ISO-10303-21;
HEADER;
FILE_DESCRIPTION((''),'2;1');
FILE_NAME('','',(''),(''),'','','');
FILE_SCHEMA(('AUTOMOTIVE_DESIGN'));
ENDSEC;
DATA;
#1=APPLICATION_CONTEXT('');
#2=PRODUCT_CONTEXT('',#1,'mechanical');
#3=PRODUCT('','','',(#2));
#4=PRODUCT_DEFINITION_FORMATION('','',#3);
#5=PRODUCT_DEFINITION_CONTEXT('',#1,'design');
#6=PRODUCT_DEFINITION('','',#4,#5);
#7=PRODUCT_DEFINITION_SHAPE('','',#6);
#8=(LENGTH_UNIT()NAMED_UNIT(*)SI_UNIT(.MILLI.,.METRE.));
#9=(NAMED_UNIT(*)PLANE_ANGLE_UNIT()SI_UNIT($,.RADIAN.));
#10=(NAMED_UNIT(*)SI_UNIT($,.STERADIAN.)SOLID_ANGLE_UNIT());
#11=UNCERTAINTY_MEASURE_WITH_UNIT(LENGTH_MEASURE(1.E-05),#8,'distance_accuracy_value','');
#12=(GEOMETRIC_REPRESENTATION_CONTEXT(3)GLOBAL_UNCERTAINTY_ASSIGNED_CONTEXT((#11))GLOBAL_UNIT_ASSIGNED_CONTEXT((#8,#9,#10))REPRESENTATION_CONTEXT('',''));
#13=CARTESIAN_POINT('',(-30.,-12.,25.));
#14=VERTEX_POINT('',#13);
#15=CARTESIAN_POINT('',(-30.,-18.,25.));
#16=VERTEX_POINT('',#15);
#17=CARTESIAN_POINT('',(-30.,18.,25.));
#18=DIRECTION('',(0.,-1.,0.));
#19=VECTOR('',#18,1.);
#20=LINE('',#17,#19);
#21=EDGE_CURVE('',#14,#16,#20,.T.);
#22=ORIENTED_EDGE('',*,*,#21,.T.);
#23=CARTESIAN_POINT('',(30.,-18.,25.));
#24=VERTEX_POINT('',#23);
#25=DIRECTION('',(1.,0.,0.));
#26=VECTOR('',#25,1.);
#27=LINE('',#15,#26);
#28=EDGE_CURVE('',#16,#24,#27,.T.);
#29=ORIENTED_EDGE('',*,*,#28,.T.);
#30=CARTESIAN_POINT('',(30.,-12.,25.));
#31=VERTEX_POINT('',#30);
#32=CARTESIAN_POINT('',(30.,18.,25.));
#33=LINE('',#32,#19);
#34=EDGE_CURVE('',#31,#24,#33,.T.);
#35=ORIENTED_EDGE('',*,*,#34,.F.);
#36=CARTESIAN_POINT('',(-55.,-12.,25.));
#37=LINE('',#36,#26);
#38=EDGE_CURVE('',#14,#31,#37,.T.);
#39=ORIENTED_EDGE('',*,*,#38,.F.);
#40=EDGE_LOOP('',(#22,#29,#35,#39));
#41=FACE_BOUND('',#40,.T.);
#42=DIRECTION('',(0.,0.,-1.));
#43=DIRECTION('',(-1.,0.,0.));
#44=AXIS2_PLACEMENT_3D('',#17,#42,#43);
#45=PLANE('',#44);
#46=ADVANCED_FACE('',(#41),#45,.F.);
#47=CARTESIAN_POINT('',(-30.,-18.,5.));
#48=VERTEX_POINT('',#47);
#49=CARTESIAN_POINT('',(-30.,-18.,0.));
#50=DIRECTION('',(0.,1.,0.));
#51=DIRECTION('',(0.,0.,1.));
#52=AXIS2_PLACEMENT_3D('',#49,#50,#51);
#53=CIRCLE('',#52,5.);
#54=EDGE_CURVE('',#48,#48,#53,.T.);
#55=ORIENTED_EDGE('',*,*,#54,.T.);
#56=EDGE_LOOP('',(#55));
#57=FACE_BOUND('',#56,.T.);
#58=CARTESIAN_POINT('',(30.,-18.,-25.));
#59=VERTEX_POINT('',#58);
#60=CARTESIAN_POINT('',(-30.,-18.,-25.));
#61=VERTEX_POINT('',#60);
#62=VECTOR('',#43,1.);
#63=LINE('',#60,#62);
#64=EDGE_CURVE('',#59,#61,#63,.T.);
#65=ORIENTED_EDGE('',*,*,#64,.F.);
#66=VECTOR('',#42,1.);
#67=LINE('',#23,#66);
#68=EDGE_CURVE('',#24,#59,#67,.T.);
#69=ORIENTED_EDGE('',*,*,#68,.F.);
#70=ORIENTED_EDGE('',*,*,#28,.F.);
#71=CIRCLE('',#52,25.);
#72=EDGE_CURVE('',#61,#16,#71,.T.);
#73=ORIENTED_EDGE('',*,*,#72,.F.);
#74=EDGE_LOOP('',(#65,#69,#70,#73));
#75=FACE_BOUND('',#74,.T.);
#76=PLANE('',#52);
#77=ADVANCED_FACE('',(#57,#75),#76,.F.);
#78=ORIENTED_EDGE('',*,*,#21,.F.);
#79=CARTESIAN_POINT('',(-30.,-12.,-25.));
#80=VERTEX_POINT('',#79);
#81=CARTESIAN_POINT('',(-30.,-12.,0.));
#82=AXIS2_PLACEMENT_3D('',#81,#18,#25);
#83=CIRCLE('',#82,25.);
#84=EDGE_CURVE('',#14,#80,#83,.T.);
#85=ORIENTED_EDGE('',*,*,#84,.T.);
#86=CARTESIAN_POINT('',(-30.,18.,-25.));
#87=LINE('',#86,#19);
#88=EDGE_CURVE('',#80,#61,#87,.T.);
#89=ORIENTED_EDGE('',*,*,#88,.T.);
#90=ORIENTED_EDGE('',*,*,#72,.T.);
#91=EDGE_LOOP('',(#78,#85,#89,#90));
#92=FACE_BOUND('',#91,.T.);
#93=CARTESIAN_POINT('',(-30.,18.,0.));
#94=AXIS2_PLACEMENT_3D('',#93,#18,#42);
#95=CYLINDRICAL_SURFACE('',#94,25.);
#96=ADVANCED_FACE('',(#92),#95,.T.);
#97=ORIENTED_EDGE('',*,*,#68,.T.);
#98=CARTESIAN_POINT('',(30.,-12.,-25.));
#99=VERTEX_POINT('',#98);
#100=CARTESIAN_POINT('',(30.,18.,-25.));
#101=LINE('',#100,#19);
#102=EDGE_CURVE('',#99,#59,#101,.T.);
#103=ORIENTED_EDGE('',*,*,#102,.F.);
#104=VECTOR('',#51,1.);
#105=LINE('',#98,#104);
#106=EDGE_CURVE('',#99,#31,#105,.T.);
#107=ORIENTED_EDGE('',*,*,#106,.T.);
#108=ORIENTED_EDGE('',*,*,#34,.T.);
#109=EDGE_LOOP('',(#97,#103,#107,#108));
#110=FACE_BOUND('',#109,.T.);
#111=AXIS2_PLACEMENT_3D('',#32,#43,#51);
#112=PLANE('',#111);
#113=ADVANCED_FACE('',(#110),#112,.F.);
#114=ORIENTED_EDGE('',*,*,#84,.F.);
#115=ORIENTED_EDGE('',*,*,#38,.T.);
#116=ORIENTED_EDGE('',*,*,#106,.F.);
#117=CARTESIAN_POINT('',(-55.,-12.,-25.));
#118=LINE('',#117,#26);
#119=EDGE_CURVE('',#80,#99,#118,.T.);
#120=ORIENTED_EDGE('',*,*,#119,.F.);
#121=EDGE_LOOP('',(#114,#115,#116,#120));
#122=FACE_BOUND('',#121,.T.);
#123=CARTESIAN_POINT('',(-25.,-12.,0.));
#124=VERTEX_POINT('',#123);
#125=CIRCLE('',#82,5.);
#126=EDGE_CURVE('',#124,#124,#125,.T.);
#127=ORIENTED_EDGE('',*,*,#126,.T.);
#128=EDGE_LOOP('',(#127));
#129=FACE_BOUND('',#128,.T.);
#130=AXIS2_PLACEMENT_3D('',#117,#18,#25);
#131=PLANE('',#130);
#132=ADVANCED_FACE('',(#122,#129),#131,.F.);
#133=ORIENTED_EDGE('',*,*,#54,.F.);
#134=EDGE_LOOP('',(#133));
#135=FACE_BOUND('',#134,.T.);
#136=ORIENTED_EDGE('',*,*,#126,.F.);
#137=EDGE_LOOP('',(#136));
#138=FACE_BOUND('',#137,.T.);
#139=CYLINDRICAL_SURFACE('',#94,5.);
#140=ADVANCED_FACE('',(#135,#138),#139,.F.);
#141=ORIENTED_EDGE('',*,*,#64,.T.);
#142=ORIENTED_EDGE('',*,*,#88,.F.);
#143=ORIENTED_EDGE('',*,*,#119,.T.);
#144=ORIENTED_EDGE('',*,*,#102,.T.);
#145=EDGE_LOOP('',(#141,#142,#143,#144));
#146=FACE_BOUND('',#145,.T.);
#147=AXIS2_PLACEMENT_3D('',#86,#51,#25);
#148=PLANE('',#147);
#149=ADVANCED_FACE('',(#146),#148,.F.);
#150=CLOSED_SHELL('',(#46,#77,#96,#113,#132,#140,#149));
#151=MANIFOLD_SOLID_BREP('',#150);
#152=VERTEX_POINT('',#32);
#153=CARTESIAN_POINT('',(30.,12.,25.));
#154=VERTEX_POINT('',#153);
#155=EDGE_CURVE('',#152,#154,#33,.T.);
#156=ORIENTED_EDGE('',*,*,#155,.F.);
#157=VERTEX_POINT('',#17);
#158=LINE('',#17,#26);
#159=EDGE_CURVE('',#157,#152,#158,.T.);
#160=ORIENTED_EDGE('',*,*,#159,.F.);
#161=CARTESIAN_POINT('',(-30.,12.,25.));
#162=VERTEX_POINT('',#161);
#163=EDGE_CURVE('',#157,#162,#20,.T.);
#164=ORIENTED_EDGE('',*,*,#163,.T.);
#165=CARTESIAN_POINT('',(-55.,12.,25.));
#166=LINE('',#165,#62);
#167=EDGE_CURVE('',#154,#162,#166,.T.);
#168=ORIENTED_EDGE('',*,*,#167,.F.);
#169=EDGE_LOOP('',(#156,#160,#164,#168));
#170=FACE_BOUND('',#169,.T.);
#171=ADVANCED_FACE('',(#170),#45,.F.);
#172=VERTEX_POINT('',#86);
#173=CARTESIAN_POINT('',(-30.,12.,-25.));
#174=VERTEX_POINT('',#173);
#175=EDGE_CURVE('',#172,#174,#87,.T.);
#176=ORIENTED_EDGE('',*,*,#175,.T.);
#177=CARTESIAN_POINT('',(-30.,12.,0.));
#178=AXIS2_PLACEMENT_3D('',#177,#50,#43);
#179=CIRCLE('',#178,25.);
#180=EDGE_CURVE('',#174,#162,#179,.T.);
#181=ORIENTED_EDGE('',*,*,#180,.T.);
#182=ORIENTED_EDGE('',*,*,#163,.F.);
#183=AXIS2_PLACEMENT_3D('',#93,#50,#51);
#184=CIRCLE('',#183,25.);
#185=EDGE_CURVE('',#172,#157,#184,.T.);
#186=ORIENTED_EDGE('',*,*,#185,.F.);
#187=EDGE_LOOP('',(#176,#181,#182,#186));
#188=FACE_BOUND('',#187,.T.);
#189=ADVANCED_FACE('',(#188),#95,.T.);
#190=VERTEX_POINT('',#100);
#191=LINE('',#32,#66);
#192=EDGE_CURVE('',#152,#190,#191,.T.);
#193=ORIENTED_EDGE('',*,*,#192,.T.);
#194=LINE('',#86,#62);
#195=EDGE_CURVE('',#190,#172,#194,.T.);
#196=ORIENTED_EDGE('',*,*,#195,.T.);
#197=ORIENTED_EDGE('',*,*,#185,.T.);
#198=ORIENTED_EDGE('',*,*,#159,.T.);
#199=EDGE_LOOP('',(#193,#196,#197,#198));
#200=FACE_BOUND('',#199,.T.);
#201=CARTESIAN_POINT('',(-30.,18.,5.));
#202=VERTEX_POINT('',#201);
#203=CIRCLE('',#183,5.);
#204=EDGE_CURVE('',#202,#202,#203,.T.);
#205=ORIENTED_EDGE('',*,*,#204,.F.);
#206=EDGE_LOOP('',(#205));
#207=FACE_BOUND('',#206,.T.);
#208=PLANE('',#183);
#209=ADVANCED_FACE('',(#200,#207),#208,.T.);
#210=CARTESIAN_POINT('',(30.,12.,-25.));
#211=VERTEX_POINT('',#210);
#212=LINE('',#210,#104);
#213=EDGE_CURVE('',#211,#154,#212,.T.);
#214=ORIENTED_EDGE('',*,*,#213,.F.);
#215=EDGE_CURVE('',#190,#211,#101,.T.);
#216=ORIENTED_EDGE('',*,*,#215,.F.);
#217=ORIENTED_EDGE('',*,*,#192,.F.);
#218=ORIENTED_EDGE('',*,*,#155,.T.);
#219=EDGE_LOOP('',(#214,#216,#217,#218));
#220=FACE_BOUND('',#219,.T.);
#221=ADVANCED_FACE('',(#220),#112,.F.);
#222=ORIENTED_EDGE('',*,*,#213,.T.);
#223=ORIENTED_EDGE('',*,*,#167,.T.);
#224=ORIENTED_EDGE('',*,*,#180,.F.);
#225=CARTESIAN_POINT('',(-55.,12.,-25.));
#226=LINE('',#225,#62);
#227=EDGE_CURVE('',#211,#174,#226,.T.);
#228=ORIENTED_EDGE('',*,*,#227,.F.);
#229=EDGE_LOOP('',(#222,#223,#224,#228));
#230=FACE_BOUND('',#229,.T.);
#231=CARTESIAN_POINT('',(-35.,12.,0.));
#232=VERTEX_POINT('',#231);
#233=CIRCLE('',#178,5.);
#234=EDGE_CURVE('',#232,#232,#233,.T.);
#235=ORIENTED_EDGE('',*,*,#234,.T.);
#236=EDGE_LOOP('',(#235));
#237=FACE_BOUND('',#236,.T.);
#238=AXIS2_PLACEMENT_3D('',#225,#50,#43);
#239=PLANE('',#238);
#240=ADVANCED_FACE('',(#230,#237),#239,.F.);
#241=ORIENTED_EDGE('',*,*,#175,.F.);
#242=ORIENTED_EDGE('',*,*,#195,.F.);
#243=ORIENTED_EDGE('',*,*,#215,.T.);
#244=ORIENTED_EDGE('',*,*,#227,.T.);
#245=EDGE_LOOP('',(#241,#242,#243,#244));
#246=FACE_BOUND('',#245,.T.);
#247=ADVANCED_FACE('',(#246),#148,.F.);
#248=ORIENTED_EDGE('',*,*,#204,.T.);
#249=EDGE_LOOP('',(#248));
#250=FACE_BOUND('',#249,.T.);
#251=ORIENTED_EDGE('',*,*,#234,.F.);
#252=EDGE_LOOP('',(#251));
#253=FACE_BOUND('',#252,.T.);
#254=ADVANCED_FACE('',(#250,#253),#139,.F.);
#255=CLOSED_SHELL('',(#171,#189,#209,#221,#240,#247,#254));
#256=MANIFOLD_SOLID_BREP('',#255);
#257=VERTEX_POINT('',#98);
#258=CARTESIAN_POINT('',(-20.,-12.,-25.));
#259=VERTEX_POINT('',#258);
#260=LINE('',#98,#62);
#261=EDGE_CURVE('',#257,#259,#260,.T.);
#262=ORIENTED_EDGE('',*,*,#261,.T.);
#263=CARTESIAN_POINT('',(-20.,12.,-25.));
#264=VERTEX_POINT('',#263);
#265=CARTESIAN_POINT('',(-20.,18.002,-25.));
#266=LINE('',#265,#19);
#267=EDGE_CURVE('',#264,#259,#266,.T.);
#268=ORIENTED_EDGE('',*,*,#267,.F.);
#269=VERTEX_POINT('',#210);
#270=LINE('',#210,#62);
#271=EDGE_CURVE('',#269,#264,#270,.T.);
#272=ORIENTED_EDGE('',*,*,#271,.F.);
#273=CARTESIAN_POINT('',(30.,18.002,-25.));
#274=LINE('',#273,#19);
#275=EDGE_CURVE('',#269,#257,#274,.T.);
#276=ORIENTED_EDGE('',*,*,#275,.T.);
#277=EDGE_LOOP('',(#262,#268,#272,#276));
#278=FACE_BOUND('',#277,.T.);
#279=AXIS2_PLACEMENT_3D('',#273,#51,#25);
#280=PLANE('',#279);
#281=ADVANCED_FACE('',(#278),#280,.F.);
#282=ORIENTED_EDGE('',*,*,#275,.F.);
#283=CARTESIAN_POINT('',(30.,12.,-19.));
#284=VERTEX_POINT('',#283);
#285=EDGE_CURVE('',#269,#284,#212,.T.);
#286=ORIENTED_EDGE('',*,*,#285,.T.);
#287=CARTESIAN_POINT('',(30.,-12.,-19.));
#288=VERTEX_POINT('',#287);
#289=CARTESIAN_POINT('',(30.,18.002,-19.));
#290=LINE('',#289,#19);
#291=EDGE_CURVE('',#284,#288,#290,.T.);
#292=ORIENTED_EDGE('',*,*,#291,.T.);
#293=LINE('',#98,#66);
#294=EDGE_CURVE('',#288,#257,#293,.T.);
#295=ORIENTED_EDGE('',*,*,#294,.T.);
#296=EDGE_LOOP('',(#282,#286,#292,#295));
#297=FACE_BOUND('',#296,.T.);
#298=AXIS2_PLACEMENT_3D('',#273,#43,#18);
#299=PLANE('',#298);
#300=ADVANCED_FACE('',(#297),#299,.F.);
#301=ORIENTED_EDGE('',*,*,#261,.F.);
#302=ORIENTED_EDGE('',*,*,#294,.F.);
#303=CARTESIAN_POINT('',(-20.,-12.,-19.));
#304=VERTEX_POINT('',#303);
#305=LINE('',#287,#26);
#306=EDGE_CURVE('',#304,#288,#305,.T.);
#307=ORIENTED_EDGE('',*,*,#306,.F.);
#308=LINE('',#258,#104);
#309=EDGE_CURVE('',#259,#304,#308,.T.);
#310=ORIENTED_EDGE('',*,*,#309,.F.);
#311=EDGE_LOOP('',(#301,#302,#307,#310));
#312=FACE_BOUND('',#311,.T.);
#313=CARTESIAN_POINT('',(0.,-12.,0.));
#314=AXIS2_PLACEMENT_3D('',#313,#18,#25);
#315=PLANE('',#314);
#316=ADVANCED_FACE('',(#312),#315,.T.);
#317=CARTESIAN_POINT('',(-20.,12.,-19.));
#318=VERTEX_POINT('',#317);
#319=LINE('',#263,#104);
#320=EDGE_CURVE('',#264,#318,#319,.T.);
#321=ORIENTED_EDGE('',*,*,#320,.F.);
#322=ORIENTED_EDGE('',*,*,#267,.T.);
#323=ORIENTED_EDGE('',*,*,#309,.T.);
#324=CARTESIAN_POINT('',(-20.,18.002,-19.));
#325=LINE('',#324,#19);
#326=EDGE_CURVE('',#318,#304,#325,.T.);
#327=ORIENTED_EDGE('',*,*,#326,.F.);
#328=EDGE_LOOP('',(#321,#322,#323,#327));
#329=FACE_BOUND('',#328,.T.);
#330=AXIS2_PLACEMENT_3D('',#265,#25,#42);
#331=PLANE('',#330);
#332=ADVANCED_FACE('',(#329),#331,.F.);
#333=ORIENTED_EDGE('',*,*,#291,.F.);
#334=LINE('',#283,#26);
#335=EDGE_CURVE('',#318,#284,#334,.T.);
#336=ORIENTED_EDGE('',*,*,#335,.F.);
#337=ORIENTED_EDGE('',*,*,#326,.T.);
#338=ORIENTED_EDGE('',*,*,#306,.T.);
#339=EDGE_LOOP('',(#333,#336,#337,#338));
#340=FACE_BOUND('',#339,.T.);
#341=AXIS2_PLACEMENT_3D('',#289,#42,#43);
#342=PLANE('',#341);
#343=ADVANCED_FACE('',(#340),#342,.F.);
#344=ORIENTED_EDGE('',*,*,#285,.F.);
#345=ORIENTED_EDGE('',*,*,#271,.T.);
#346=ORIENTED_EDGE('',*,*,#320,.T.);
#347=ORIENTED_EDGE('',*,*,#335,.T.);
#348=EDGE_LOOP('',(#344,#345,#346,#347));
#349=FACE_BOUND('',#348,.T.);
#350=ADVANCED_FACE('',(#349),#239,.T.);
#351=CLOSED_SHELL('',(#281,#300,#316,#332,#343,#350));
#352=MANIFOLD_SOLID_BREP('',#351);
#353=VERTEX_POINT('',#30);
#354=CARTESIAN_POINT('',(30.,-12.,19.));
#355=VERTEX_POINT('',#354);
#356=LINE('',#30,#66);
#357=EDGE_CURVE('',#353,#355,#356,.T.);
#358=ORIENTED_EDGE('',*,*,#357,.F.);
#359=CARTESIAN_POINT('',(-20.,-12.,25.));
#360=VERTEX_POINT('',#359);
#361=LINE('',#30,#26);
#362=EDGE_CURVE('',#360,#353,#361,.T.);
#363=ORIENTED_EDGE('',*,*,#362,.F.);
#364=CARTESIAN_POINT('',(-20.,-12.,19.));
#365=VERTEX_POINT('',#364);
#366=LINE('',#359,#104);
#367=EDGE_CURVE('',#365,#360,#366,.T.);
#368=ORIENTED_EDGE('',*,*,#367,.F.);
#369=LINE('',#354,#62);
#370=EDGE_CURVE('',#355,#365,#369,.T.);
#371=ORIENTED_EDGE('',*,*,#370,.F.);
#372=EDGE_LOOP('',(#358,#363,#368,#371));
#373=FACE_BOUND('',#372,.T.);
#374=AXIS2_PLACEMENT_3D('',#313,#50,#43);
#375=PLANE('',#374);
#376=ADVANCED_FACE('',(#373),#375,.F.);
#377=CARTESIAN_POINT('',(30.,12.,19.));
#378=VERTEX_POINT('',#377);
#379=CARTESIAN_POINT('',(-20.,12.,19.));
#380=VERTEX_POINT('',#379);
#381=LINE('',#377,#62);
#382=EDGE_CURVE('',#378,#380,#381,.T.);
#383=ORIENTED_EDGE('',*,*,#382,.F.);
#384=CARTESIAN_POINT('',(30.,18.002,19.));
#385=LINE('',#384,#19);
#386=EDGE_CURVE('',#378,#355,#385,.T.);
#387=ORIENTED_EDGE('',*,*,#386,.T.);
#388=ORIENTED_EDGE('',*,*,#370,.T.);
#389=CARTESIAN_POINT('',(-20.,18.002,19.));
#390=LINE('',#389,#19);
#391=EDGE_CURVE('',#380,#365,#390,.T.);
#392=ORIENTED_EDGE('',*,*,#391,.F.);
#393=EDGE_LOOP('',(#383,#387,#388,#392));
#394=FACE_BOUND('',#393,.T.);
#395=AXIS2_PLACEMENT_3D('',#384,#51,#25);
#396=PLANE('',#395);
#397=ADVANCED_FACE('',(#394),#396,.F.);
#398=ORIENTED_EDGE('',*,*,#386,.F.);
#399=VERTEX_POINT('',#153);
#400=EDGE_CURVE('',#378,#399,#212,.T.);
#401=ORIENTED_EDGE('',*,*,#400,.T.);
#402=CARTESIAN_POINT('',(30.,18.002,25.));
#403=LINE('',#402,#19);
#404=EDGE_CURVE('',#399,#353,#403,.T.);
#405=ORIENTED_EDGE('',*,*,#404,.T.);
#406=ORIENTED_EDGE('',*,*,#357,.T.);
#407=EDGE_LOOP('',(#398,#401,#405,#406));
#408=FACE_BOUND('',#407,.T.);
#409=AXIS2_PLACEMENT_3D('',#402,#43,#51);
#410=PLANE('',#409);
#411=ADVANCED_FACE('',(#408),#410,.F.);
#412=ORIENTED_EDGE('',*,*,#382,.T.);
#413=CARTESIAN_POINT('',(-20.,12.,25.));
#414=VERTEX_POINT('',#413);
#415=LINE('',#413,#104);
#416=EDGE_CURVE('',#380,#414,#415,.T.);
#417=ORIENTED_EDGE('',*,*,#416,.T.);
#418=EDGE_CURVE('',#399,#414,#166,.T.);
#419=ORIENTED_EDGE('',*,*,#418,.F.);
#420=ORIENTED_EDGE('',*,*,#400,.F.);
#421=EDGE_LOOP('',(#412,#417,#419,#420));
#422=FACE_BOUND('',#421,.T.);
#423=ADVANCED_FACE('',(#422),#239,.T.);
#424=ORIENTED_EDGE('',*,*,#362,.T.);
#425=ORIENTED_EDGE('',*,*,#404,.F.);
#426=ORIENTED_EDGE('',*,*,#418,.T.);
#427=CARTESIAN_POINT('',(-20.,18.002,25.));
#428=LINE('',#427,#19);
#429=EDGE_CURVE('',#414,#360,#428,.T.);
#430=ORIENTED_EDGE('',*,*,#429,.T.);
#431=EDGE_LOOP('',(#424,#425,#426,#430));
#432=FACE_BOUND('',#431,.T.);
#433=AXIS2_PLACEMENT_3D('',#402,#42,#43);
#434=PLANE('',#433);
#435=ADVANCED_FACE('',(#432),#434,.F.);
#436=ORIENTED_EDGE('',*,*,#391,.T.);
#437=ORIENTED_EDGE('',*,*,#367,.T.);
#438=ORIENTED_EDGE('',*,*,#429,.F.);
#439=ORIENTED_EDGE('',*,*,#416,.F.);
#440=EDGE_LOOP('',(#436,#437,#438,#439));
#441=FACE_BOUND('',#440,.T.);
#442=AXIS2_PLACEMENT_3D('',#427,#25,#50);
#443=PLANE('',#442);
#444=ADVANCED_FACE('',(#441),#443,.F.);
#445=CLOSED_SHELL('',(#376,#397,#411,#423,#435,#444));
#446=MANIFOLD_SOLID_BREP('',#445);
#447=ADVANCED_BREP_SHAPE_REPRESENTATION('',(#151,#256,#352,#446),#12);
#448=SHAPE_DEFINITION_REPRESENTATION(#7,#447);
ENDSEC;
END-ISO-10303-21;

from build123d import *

# Parameters (mm, degrees)
SKETCH1_R               = 5
BOSS_EXTRUDE1_DEPTH     = 18
CUT_EXTRUDE1_DEPTH      = 64.03967005
CUT_EXTRUDE1_DEPTH_BACK = 64.03967005
SKETCH2_W               = 85
SKETCH2_H               = 24
BOSS_EXTRUDE2_REACH     = 69.454
SKETCH3_W               = 50
SKETCH3_H               = 6


with BuildPart() as part:
    # Sketch1 → Boss-Extrude1 (new, symmetric)
    with BuildSketch(Plane(origin=(0, 0, 0), x_dir=(1, 0, 0), z_dir=(0, 1, 0))):
        with BuildLine():
            Line((-30, -25), (30, -25))
            Line((30, -25), (30, 25))
            Line((30, 25), (-30, 25))
            ThreePointArc((-30, 25), (-55, 0), (-30, -25))
        make_face()
        with Locations(Location((-30, 0, 0), (0, 0, 270))):
            Circle(SKETCH1_R, mode=Mode.SUBTRACT)
    extrude(amount=BOSS_EXTRUDE1_DEPTH, both=True)

    # Sketch2 → Cut-Extrude1 (cut, two sides: drawn at the far end of the back side and taken through both)
    with BuildSketch(Plane.XY.offset(-CUT_EXTRUDE1_DEPTH_BACK)):
        with Locations((-12.5, 0)):
            Rectangle(SKETCH2_W, SKETCH2_H)
    extrude(amount=CUT_EXTRUDE1_DEPTH + CUT_EXTRUDE1_DEPTH_BACK, mode=Mode.SUBTRACT)


with BuildPart() as cut_extrude1_piece_1:
    # of the separate pieces the step leaves, piece 1, a body of its own (cut_extrude1_pieces)
    add(part.part.solids().sort_by_distance((-30, -12, 25))[0])


with BuildPart() as cut_extrude1_piece_2:
    # of the separate pieces the step leaves, piece 2, a body of its own (cut_extrude1_pieces)
    add(part.part.solids().sort_by_distance((-30, 18, 25))[0])


with BuildPart() as body_3:

    # Sketch3 → Boss-Extrude2 (new, up to next)
    with BuildSketch(Plane(origin=(0, -12, 0), x_dir=(1, 0, 0), z_dir=(0, 1, 0)), mode=Mode.PRIVATE) as boss_extrude2_sk1:
        with Locations((5, 22)):
            Rectangle(SKETCH3_W, SKETCH3_H)
    boss_extrude2_tool1 = extrude(boss_extrude2_sk1.sketch, amount=BOSS_EXTRUDE2_REACH, mode=Mode.PRIVATE) - cut_extrude1_piece_2.part
    # Sketch3 → Boss-Extrude2 (new, up to next)
    with BuildSketch(Plane(origin=(0, -12, 0), x_dir=(1, 0, 0), z_dir=(0, 1, 0)), mode=Mode.PRIVATE) as boss_extrude2_sk2:
        with Locations((5, -22)):
            Rectangle(SKETCH3_W, SKETCH3_H)
    boss_extrude2_tool2 = extrude(boss_extrude2_sk2.sketch, amount=BOSS_EXTRUDE2_REACH, mode=Mode.PRIVATE) - cut_extrude1_piece_2.part
    add(boss_extrude2_tool1.solids().sort_by_distance((5, -12, -22))[0])
    add(boss_extrude2_tool2.solids().sort_by_distance((5, -12, 22))[0])


solid = Compound([cut_extrude1_piece_1.part, cut_extrude1_piece_2.part, body_3.part])
